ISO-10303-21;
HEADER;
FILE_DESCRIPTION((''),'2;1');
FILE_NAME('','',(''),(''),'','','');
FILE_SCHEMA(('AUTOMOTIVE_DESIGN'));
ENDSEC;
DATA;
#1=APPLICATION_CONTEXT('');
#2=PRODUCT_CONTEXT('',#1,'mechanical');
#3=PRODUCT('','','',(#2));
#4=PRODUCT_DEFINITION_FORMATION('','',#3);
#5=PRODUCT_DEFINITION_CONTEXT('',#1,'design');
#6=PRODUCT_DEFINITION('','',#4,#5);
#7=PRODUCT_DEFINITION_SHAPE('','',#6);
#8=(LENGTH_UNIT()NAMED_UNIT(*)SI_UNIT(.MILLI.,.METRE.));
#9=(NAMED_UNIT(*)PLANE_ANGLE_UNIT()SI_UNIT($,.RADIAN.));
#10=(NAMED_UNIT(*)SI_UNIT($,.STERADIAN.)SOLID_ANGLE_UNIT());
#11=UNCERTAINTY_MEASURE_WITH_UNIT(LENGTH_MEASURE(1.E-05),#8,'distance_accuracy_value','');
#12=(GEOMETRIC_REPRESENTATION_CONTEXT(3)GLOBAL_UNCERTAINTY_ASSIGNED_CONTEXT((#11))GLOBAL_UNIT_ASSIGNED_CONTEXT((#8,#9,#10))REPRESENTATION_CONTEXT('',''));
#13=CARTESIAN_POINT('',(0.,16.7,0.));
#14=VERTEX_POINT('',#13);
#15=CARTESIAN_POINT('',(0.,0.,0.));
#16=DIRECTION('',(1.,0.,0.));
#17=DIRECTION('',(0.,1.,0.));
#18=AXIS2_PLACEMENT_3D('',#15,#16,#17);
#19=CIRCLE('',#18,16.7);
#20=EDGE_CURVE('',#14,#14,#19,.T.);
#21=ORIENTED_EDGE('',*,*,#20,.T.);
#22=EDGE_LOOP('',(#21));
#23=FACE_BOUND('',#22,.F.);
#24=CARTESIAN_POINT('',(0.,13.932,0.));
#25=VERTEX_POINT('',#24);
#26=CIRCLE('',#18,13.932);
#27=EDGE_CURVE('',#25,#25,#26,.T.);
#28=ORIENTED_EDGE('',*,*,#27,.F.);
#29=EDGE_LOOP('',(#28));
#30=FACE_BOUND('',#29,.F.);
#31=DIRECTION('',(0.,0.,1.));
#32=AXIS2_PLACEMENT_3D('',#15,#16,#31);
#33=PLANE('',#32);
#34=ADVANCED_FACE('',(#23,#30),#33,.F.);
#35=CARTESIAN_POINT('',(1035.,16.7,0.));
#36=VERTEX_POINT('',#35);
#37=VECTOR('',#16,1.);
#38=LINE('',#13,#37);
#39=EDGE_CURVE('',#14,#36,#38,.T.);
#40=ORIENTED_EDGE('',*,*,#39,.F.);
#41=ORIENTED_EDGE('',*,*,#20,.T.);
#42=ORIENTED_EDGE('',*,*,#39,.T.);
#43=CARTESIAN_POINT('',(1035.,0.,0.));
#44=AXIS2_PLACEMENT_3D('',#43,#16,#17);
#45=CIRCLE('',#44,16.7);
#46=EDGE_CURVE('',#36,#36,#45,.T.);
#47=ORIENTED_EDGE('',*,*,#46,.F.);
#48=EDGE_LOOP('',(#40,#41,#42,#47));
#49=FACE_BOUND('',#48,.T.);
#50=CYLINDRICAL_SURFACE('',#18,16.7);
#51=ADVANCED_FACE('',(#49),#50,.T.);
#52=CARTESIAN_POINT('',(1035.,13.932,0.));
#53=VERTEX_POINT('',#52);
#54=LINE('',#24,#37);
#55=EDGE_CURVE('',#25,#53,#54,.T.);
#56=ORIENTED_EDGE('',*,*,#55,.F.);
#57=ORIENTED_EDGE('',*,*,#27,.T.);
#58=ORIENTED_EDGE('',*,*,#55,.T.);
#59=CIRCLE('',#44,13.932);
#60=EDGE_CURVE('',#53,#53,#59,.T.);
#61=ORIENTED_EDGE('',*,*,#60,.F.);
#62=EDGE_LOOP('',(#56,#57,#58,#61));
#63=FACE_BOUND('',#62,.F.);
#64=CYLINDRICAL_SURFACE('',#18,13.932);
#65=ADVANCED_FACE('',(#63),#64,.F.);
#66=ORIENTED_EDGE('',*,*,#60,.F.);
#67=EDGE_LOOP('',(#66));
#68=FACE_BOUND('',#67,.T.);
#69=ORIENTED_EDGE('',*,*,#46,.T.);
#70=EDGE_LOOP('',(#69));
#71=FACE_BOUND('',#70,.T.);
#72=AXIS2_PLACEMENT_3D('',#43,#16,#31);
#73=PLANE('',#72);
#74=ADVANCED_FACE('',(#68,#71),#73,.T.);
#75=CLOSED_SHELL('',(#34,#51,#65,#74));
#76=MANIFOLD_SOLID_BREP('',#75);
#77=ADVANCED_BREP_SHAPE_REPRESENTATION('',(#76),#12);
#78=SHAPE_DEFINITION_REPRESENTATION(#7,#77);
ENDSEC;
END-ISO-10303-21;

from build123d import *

# Parameters (mm, degrees)
F1_R   = 16.7
F1_R_2 = 13.932


with BuildPart() as f2:
    # F2: sweep along a path in F0
    with BuildLine(Plane.XZ) as f2_path:
        Line((0, 0), (1035, 0))
    # F1 (on Right) → F2 (sweep)
    with BuildSketch(Plane.YZ):
        Circle(F1_R)
        Circle(F1_R_2, mode=Mode.SUBTRACT)
    sweep(path=f2_path.line)


solid = f2.part
